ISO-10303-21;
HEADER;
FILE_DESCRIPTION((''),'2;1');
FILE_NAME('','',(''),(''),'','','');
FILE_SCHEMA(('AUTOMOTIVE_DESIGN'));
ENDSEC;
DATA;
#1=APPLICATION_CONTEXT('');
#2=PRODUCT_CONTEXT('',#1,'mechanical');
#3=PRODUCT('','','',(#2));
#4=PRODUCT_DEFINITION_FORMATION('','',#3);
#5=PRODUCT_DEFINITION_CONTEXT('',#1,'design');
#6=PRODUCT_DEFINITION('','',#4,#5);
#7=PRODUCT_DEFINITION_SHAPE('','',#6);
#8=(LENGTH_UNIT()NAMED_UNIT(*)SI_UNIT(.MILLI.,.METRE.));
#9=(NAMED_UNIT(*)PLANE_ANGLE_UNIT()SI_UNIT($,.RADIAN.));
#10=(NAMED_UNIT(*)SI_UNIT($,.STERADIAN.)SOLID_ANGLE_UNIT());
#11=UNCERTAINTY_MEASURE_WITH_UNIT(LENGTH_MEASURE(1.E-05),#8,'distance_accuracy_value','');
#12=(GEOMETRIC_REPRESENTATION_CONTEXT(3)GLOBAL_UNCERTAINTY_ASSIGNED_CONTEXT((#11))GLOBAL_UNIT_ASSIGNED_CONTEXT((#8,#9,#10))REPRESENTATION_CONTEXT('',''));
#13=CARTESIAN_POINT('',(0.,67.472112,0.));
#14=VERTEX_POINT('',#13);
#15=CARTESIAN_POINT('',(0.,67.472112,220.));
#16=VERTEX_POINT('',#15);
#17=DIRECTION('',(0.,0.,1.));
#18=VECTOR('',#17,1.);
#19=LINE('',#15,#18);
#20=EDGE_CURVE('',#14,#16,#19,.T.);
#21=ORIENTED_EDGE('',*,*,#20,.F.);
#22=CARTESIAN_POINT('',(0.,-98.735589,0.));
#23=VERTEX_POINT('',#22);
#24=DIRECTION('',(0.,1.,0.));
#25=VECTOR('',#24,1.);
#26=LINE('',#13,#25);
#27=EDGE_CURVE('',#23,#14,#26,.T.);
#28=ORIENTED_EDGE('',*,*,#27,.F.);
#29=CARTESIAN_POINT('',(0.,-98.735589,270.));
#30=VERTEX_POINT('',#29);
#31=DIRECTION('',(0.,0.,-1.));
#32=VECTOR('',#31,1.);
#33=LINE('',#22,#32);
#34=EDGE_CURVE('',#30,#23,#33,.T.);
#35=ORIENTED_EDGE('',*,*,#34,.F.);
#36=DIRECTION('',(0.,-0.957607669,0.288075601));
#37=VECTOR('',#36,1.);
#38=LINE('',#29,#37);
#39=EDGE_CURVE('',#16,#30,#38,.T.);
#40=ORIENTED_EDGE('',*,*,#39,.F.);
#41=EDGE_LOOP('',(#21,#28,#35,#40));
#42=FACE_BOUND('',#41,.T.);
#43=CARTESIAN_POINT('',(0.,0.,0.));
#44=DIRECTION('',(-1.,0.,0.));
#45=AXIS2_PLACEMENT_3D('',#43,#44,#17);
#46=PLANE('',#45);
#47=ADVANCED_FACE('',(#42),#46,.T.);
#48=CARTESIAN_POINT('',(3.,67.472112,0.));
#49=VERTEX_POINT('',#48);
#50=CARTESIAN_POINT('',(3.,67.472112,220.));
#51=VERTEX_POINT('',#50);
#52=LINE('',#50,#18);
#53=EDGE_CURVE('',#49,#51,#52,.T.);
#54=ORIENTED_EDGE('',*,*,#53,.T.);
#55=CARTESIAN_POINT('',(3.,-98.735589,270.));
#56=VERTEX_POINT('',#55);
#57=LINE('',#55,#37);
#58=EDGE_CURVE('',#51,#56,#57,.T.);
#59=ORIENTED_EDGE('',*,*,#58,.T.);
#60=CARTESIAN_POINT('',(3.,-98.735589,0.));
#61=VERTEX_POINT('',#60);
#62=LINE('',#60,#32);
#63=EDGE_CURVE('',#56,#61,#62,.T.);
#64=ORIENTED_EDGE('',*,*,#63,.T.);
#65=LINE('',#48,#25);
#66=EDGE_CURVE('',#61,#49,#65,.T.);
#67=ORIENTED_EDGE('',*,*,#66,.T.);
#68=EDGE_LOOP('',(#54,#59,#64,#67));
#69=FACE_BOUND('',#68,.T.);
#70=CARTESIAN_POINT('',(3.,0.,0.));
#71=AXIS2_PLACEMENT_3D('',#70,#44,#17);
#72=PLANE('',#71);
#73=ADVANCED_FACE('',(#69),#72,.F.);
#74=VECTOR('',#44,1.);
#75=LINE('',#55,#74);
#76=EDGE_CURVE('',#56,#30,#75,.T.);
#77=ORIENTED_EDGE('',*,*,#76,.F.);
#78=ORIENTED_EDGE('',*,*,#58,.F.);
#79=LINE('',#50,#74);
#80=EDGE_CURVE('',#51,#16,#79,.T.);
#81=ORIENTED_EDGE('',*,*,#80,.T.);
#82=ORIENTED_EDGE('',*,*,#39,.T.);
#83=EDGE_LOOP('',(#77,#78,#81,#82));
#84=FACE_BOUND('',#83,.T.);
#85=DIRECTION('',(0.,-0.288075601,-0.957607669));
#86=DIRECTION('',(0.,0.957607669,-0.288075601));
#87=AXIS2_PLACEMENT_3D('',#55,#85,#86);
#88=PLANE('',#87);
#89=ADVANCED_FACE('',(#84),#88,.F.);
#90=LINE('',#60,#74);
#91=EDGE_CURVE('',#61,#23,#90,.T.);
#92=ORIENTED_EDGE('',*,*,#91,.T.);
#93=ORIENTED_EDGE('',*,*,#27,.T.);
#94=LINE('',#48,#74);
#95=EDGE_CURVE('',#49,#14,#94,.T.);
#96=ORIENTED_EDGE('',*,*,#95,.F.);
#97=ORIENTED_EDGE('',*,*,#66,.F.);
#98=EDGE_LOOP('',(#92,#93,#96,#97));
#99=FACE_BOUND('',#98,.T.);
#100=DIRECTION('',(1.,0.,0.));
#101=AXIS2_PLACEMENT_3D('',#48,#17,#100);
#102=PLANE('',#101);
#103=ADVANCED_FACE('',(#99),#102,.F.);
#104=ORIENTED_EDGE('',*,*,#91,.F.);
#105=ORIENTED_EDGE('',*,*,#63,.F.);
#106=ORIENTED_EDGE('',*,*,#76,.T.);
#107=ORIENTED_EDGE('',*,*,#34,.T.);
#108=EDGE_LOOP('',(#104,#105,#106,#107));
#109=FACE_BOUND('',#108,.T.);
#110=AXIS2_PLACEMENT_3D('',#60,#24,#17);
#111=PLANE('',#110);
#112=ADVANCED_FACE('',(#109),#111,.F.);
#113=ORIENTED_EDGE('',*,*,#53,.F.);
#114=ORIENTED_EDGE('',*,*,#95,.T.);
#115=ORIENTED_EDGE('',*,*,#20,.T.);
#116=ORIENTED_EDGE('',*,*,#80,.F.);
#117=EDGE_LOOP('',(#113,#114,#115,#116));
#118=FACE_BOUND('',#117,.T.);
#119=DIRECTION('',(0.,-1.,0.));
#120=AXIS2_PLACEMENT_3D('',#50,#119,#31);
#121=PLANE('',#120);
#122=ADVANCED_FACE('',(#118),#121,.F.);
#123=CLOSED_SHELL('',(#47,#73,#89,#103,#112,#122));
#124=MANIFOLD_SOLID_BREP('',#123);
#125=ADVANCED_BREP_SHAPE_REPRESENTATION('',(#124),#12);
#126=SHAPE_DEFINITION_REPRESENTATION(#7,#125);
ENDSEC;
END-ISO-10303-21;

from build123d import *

# Parameters (mm, degrees)
BOSS_EXTRUDE1_DEPTH = 3


with BuildPart() as part:
    # Sketch1 → Boss-Extrude1 (new body)
    with BuildSketch(Plane(origin=(0, 0, 0), x_dir=(0, 0, -1), z_dir=(1, 0, 0))):
        Polygon((-220, 67.472112247), (0, 67.472112247), (0, -98.735589139), (-270, -98.735589139), align=None)
    extrude(amount=BOSS_EXTRUDE1_DEPTH)


solid = part.part
